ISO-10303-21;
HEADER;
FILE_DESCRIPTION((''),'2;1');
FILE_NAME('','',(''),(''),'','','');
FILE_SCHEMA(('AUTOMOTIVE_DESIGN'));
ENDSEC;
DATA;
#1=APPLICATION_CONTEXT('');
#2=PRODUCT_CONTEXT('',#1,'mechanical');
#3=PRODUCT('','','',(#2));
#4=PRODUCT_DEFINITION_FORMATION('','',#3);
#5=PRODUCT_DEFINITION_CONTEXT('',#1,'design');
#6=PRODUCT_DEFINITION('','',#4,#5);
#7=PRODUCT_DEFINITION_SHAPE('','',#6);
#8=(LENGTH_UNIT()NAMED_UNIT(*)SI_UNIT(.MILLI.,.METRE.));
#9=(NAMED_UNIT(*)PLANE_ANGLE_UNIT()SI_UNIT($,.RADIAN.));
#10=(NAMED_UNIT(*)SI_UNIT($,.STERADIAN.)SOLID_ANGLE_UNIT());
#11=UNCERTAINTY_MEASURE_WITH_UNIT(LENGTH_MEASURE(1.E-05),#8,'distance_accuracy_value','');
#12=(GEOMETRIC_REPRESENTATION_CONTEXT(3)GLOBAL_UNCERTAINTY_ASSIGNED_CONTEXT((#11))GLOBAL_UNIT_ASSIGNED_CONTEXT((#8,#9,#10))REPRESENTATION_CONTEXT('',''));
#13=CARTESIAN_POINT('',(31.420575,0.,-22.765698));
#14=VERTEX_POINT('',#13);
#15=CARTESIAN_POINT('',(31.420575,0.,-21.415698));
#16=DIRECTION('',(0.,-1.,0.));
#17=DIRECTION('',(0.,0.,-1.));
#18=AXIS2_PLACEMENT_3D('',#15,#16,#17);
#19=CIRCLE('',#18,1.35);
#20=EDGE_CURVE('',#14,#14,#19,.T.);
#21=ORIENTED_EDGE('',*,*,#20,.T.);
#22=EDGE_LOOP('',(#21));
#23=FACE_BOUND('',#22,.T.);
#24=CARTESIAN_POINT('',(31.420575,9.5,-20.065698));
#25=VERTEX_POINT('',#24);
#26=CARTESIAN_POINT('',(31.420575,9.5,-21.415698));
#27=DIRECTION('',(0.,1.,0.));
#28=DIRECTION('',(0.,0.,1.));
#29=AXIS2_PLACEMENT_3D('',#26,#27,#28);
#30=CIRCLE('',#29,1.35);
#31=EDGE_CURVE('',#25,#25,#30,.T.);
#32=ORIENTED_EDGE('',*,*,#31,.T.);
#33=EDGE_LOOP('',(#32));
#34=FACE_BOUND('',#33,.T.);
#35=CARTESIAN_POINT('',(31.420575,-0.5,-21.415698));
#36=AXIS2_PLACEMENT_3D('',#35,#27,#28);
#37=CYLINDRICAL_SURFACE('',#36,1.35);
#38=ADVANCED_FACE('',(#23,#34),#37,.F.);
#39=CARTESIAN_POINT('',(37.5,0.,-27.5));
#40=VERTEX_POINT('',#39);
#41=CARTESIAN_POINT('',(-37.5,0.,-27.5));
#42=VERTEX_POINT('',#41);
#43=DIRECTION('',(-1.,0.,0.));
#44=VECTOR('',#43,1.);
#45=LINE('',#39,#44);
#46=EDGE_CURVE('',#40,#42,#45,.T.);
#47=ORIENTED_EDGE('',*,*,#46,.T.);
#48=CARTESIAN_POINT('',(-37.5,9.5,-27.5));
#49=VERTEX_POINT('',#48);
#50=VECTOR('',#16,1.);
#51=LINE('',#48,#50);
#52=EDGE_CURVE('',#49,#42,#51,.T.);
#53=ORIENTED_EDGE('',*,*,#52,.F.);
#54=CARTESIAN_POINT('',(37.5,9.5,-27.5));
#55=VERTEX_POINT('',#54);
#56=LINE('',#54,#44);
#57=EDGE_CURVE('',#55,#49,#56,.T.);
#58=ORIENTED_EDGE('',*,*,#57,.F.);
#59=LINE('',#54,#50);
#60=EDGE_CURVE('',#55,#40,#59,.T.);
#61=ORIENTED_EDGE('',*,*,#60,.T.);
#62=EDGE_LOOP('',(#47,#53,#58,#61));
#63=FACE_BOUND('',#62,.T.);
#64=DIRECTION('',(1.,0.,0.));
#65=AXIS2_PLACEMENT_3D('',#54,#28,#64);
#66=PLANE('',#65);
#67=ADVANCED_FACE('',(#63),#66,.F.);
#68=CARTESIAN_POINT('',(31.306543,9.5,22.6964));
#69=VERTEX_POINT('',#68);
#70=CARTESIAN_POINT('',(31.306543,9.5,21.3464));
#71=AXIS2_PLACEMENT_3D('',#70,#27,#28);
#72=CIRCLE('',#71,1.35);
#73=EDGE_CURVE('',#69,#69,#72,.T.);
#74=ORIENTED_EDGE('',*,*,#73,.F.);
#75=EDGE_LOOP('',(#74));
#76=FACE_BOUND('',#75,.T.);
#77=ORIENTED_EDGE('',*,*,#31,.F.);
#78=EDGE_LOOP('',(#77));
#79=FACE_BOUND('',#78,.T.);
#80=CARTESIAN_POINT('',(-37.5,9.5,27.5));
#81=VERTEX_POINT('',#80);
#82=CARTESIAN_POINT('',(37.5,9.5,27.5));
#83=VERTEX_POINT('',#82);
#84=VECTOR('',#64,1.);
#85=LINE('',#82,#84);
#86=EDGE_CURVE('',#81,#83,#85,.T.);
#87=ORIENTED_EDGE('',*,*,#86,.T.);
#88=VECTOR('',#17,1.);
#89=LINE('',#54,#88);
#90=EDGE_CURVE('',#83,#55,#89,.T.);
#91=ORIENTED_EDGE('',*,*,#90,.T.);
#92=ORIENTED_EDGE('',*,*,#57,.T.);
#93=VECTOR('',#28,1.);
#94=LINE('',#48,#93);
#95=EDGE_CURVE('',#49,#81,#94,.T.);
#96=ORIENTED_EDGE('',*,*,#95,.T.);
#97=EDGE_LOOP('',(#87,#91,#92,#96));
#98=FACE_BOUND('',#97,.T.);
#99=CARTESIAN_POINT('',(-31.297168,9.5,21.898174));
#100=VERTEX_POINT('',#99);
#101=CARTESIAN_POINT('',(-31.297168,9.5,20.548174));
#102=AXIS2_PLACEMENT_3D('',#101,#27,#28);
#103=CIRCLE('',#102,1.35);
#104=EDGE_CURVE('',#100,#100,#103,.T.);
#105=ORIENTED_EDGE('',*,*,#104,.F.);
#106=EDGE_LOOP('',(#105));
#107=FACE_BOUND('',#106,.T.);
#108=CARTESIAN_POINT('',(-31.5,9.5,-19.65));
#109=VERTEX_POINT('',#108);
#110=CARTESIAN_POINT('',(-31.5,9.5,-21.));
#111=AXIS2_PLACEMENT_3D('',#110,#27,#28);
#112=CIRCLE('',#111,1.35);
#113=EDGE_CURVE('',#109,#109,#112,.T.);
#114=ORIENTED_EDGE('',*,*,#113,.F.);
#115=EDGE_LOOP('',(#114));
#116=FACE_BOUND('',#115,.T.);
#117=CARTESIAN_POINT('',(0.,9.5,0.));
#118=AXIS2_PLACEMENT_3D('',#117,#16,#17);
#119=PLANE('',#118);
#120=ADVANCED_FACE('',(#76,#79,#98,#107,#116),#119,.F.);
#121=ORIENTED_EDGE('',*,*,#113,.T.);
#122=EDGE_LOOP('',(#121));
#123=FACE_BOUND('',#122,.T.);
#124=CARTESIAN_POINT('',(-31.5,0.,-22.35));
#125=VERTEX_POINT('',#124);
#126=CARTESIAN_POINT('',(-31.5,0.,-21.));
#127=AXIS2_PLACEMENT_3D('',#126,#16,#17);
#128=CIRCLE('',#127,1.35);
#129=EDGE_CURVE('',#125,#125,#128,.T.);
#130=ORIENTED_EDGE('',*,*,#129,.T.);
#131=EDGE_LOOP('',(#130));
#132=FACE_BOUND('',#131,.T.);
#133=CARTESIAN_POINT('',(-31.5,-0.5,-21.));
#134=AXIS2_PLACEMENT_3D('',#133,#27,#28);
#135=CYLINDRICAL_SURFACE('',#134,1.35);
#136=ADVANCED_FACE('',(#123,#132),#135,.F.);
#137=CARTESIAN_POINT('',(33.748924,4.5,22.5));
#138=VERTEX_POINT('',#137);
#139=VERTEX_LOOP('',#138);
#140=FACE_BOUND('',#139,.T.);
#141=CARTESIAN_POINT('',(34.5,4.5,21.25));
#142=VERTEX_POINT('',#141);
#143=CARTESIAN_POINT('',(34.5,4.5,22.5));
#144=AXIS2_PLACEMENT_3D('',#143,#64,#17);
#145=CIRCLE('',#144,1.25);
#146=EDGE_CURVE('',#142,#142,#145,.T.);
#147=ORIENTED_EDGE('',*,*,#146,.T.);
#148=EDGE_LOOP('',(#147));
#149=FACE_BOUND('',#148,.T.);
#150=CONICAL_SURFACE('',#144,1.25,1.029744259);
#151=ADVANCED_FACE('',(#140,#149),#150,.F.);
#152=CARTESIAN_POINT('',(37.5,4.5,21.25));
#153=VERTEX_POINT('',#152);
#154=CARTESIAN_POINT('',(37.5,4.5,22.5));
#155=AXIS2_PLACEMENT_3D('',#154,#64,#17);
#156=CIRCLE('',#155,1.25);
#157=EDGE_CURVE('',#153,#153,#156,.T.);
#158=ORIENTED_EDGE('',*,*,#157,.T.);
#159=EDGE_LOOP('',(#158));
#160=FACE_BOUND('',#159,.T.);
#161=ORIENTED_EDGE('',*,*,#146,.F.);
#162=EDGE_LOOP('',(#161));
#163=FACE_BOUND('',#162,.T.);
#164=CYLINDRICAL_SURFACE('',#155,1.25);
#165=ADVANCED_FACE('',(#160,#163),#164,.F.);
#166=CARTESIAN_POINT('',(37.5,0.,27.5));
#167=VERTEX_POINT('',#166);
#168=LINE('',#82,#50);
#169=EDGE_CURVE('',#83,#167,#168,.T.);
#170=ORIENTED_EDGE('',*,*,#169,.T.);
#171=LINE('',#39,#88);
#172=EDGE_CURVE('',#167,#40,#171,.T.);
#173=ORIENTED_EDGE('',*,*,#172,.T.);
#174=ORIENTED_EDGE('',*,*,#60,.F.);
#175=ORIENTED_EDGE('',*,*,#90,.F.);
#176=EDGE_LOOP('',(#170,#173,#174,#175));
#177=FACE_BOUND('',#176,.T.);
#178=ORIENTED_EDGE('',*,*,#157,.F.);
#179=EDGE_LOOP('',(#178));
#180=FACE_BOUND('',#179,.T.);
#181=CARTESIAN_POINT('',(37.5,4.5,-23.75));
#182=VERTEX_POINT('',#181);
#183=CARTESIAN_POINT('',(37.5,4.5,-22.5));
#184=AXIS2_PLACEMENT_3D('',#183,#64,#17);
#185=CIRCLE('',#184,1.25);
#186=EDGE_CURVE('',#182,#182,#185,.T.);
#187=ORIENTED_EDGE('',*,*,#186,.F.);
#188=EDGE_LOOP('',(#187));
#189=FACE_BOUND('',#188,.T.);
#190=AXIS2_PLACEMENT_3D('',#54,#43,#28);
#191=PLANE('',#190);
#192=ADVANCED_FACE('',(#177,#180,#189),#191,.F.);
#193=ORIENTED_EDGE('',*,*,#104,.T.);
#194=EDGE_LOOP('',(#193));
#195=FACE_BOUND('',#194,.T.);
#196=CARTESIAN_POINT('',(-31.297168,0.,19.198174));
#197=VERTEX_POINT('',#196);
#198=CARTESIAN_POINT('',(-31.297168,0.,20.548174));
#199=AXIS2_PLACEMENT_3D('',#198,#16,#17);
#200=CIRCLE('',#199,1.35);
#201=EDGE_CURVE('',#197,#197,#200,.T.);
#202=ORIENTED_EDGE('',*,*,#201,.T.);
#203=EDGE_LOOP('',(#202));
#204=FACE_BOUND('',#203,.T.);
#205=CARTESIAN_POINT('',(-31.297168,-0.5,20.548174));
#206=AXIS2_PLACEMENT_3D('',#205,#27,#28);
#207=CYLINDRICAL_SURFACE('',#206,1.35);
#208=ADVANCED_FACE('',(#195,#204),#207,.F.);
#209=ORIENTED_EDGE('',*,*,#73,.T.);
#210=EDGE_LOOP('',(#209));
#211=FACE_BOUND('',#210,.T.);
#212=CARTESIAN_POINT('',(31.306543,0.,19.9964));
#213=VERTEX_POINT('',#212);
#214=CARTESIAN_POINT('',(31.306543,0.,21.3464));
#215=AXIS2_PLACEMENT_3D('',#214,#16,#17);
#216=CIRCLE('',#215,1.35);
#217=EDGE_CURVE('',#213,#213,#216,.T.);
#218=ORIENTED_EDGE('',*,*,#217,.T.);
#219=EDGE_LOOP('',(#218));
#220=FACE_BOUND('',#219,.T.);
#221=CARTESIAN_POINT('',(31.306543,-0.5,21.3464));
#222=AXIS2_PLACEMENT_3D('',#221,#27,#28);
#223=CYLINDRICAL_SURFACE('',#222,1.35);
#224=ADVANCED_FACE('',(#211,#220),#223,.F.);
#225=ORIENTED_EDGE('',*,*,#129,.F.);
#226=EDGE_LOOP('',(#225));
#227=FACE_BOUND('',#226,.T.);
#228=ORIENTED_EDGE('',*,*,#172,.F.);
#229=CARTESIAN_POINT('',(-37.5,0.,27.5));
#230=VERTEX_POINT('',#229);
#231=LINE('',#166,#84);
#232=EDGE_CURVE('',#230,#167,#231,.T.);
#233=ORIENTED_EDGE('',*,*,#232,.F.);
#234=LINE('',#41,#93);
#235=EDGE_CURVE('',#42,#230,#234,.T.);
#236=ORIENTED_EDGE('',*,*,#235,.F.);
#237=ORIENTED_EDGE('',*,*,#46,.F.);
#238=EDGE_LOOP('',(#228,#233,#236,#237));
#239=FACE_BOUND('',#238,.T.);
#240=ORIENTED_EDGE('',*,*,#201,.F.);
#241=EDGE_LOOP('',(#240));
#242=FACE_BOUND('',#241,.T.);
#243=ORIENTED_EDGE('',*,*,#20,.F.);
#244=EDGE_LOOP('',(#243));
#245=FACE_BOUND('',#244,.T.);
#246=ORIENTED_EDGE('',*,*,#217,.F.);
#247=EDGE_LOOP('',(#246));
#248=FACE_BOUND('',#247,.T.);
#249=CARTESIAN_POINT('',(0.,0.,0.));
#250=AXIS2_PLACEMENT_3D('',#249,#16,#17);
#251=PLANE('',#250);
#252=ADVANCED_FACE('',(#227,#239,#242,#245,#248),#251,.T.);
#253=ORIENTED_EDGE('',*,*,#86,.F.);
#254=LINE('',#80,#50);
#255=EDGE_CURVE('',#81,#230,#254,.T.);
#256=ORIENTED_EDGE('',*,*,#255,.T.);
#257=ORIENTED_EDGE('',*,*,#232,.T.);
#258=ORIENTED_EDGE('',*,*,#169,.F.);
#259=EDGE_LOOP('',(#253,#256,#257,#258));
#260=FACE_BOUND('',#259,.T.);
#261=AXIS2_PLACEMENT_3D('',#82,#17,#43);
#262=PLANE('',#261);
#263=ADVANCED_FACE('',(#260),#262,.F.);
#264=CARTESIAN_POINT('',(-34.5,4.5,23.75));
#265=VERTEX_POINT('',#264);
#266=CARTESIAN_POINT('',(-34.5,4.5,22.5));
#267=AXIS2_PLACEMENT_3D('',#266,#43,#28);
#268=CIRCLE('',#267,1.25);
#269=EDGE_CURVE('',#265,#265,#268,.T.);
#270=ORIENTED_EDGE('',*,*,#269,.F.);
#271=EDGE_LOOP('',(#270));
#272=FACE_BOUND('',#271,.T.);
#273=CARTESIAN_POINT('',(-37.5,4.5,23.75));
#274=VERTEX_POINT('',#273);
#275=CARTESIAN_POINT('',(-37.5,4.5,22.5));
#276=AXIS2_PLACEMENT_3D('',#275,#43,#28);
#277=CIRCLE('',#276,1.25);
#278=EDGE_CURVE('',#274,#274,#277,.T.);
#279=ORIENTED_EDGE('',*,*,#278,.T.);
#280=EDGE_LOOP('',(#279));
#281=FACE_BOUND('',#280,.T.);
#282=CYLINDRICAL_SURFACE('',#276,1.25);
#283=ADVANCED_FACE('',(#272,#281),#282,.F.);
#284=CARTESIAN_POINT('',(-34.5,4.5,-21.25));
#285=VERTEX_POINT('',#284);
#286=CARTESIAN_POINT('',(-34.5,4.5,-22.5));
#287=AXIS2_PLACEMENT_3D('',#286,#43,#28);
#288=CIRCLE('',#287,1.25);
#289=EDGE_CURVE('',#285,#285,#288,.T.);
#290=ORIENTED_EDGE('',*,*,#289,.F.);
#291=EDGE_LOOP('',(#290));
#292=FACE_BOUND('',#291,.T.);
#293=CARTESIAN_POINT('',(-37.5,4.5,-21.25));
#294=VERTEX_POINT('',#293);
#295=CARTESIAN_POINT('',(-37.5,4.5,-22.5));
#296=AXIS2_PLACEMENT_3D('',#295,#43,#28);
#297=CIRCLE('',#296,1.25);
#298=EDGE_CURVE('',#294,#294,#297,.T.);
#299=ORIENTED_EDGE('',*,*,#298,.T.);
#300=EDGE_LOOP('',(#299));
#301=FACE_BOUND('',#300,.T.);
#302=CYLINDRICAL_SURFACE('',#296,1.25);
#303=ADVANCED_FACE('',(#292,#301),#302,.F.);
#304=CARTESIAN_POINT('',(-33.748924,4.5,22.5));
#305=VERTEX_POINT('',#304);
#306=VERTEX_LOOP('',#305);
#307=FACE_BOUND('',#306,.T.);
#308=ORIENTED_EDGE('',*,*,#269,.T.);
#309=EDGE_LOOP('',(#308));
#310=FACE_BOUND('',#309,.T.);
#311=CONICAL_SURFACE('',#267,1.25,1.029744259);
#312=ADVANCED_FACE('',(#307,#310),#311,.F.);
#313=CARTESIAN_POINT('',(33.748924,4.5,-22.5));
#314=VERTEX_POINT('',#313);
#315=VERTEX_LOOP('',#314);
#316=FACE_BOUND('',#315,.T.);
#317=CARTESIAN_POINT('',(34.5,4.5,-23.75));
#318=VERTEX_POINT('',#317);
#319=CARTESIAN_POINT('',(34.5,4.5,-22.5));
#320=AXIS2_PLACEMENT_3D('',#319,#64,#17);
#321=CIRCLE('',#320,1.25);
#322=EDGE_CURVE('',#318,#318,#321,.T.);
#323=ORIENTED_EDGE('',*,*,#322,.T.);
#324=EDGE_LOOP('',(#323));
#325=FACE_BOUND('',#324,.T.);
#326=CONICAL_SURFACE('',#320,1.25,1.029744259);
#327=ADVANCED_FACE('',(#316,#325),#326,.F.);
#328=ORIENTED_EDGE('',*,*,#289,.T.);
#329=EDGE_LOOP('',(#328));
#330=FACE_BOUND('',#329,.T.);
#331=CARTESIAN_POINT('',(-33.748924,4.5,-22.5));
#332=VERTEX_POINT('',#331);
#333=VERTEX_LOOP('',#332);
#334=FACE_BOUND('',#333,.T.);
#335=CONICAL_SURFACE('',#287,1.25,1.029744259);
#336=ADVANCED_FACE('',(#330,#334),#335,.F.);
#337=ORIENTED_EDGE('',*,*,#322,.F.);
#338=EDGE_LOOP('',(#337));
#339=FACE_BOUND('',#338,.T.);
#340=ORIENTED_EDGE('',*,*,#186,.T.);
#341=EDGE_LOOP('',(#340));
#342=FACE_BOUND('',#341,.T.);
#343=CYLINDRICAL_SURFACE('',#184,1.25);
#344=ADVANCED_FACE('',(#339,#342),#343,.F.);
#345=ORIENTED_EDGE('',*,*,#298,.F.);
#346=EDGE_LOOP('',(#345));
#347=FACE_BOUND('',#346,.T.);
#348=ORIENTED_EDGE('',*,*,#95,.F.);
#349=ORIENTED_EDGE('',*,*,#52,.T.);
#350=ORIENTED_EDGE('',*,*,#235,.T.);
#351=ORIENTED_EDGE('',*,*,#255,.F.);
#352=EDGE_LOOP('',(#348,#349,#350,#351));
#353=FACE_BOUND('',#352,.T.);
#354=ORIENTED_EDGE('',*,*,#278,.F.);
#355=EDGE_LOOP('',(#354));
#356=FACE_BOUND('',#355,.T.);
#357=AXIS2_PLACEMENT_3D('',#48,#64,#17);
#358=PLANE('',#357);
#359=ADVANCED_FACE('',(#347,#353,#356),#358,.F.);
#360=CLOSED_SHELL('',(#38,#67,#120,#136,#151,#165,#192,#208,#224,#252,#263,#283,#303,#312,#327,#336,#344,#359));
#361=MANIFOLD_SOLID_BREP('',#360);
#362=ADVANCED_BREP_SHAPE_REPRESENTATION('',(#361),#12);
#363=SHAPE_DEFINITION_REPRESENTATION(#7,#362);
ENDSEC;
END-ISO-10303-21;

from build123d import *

# Parameters (mm, degrees)
SKETCH1_W                      = 75
SKETCH1_H                      = 55
BOSS_EXTRUDE1_DEPTH            = 9.5
SKETCH2_R                      = 1.35
CUT_EXTRUDE1_DEPTH             = 10
M3X0_5_TAPPED_HOLE2_AT_2_COUNT = 2
M3X0_5_TAPPED_HOLE2_AT_2_PITCH = 45


with BuildPart() as part:
    # Sketch1 → Boss-Extrude1 (new body)
    with BuildSketch(Plane(origin=(0, 0, 0), x_dir=(1, 0, 0), z_dir=(0, 1, 0))):
        Rectangle(SKETCH1_W, SKETCH1_H)
    extrude(amount=BOSS_EXTRUDE1_DEPTH)

    # Sketch2 → Cut-Extrude1 (cut)
    with BuildSketch(Plane(origin=(0, 9.5, 0), x_dir=(1, 0, 0), z_dir=(0, 1, 0))):
        with Locations(Location((-31.5, 21, 0), (0, 0, 270))):
            Circle(SKETCH2_R)
        with Locations(Location((31.420574921, 21.415697585, 0), (0, 0, 270))):
            Circle(SKETCH2_R)
        with Locations(Location((31.306542661, -21.346400068, 0), (0, 0, 270))):
            Circle(SKETCH2_R)
        with Locations(Location((-31.297168302, -20.548174245, 0), (0, 0, 270))):
            Circle(SKETCH2_R)
    extrude(amount=-CUT_EXTRUDE1_DEPTH, mode=Mode.SUBTRACT)

    # Sketch5 → M3x0.5 Tapped Hole2 (revolve, cut)
    with BuildSketch(Plane(origin=(-37.5, 4.5, -22.5), x_dir=(0, 0, 1), z_dir=(0, 1, 0))):
        Polygon((0, 0), (0, 3.751075774), (1.25, 3), (1.25, 0), align=None)
    m3x0_5_tapped_hole2 = revolve(axis=Axis((-43.85, 4.5, -22.5), (1, 0, 0)), mode=Mode.SUBTRACT)

    # M3x0.5 Tapped Hole2 at 2: M3x0.5 Tapped Hole2 ×2
    with Locations(*[(0, 0, i * M3X0_5_TAPPED_HOLE2_AT_2_PITCH) for i in range(1, M3X0_5_TAPPED_HOLE2_AT_2_COUNT)]):
        add(m3x0_5_tapped_hole2, mode=Mode.SUBTRACT)

    # Mirror1: M3x0.5 Tapped Hole2 across plane
    add(m3x0_5_tapped_hole2.mirror(Plane.ZY), mode=Mode.SUBTRACT)

    # Mirror1 copy 1 sketch → Mirror1 copy 1 (revolve, cut)
    with BuildSketch(Plane(origin=(37.5, 4.5, 22.5), x_dir=(0, 0, 1), z_dir=(0, 1, 0))):
        Polygon((0, 0), (0, -3.751075774), (1.25, -3), (1.25, 0), align=None)
    revolve(axis=Axis((43.85, 4.5, 22.5), (1, 0, 0)), mode=Mode.SUBTRACT)


solid = part.part
